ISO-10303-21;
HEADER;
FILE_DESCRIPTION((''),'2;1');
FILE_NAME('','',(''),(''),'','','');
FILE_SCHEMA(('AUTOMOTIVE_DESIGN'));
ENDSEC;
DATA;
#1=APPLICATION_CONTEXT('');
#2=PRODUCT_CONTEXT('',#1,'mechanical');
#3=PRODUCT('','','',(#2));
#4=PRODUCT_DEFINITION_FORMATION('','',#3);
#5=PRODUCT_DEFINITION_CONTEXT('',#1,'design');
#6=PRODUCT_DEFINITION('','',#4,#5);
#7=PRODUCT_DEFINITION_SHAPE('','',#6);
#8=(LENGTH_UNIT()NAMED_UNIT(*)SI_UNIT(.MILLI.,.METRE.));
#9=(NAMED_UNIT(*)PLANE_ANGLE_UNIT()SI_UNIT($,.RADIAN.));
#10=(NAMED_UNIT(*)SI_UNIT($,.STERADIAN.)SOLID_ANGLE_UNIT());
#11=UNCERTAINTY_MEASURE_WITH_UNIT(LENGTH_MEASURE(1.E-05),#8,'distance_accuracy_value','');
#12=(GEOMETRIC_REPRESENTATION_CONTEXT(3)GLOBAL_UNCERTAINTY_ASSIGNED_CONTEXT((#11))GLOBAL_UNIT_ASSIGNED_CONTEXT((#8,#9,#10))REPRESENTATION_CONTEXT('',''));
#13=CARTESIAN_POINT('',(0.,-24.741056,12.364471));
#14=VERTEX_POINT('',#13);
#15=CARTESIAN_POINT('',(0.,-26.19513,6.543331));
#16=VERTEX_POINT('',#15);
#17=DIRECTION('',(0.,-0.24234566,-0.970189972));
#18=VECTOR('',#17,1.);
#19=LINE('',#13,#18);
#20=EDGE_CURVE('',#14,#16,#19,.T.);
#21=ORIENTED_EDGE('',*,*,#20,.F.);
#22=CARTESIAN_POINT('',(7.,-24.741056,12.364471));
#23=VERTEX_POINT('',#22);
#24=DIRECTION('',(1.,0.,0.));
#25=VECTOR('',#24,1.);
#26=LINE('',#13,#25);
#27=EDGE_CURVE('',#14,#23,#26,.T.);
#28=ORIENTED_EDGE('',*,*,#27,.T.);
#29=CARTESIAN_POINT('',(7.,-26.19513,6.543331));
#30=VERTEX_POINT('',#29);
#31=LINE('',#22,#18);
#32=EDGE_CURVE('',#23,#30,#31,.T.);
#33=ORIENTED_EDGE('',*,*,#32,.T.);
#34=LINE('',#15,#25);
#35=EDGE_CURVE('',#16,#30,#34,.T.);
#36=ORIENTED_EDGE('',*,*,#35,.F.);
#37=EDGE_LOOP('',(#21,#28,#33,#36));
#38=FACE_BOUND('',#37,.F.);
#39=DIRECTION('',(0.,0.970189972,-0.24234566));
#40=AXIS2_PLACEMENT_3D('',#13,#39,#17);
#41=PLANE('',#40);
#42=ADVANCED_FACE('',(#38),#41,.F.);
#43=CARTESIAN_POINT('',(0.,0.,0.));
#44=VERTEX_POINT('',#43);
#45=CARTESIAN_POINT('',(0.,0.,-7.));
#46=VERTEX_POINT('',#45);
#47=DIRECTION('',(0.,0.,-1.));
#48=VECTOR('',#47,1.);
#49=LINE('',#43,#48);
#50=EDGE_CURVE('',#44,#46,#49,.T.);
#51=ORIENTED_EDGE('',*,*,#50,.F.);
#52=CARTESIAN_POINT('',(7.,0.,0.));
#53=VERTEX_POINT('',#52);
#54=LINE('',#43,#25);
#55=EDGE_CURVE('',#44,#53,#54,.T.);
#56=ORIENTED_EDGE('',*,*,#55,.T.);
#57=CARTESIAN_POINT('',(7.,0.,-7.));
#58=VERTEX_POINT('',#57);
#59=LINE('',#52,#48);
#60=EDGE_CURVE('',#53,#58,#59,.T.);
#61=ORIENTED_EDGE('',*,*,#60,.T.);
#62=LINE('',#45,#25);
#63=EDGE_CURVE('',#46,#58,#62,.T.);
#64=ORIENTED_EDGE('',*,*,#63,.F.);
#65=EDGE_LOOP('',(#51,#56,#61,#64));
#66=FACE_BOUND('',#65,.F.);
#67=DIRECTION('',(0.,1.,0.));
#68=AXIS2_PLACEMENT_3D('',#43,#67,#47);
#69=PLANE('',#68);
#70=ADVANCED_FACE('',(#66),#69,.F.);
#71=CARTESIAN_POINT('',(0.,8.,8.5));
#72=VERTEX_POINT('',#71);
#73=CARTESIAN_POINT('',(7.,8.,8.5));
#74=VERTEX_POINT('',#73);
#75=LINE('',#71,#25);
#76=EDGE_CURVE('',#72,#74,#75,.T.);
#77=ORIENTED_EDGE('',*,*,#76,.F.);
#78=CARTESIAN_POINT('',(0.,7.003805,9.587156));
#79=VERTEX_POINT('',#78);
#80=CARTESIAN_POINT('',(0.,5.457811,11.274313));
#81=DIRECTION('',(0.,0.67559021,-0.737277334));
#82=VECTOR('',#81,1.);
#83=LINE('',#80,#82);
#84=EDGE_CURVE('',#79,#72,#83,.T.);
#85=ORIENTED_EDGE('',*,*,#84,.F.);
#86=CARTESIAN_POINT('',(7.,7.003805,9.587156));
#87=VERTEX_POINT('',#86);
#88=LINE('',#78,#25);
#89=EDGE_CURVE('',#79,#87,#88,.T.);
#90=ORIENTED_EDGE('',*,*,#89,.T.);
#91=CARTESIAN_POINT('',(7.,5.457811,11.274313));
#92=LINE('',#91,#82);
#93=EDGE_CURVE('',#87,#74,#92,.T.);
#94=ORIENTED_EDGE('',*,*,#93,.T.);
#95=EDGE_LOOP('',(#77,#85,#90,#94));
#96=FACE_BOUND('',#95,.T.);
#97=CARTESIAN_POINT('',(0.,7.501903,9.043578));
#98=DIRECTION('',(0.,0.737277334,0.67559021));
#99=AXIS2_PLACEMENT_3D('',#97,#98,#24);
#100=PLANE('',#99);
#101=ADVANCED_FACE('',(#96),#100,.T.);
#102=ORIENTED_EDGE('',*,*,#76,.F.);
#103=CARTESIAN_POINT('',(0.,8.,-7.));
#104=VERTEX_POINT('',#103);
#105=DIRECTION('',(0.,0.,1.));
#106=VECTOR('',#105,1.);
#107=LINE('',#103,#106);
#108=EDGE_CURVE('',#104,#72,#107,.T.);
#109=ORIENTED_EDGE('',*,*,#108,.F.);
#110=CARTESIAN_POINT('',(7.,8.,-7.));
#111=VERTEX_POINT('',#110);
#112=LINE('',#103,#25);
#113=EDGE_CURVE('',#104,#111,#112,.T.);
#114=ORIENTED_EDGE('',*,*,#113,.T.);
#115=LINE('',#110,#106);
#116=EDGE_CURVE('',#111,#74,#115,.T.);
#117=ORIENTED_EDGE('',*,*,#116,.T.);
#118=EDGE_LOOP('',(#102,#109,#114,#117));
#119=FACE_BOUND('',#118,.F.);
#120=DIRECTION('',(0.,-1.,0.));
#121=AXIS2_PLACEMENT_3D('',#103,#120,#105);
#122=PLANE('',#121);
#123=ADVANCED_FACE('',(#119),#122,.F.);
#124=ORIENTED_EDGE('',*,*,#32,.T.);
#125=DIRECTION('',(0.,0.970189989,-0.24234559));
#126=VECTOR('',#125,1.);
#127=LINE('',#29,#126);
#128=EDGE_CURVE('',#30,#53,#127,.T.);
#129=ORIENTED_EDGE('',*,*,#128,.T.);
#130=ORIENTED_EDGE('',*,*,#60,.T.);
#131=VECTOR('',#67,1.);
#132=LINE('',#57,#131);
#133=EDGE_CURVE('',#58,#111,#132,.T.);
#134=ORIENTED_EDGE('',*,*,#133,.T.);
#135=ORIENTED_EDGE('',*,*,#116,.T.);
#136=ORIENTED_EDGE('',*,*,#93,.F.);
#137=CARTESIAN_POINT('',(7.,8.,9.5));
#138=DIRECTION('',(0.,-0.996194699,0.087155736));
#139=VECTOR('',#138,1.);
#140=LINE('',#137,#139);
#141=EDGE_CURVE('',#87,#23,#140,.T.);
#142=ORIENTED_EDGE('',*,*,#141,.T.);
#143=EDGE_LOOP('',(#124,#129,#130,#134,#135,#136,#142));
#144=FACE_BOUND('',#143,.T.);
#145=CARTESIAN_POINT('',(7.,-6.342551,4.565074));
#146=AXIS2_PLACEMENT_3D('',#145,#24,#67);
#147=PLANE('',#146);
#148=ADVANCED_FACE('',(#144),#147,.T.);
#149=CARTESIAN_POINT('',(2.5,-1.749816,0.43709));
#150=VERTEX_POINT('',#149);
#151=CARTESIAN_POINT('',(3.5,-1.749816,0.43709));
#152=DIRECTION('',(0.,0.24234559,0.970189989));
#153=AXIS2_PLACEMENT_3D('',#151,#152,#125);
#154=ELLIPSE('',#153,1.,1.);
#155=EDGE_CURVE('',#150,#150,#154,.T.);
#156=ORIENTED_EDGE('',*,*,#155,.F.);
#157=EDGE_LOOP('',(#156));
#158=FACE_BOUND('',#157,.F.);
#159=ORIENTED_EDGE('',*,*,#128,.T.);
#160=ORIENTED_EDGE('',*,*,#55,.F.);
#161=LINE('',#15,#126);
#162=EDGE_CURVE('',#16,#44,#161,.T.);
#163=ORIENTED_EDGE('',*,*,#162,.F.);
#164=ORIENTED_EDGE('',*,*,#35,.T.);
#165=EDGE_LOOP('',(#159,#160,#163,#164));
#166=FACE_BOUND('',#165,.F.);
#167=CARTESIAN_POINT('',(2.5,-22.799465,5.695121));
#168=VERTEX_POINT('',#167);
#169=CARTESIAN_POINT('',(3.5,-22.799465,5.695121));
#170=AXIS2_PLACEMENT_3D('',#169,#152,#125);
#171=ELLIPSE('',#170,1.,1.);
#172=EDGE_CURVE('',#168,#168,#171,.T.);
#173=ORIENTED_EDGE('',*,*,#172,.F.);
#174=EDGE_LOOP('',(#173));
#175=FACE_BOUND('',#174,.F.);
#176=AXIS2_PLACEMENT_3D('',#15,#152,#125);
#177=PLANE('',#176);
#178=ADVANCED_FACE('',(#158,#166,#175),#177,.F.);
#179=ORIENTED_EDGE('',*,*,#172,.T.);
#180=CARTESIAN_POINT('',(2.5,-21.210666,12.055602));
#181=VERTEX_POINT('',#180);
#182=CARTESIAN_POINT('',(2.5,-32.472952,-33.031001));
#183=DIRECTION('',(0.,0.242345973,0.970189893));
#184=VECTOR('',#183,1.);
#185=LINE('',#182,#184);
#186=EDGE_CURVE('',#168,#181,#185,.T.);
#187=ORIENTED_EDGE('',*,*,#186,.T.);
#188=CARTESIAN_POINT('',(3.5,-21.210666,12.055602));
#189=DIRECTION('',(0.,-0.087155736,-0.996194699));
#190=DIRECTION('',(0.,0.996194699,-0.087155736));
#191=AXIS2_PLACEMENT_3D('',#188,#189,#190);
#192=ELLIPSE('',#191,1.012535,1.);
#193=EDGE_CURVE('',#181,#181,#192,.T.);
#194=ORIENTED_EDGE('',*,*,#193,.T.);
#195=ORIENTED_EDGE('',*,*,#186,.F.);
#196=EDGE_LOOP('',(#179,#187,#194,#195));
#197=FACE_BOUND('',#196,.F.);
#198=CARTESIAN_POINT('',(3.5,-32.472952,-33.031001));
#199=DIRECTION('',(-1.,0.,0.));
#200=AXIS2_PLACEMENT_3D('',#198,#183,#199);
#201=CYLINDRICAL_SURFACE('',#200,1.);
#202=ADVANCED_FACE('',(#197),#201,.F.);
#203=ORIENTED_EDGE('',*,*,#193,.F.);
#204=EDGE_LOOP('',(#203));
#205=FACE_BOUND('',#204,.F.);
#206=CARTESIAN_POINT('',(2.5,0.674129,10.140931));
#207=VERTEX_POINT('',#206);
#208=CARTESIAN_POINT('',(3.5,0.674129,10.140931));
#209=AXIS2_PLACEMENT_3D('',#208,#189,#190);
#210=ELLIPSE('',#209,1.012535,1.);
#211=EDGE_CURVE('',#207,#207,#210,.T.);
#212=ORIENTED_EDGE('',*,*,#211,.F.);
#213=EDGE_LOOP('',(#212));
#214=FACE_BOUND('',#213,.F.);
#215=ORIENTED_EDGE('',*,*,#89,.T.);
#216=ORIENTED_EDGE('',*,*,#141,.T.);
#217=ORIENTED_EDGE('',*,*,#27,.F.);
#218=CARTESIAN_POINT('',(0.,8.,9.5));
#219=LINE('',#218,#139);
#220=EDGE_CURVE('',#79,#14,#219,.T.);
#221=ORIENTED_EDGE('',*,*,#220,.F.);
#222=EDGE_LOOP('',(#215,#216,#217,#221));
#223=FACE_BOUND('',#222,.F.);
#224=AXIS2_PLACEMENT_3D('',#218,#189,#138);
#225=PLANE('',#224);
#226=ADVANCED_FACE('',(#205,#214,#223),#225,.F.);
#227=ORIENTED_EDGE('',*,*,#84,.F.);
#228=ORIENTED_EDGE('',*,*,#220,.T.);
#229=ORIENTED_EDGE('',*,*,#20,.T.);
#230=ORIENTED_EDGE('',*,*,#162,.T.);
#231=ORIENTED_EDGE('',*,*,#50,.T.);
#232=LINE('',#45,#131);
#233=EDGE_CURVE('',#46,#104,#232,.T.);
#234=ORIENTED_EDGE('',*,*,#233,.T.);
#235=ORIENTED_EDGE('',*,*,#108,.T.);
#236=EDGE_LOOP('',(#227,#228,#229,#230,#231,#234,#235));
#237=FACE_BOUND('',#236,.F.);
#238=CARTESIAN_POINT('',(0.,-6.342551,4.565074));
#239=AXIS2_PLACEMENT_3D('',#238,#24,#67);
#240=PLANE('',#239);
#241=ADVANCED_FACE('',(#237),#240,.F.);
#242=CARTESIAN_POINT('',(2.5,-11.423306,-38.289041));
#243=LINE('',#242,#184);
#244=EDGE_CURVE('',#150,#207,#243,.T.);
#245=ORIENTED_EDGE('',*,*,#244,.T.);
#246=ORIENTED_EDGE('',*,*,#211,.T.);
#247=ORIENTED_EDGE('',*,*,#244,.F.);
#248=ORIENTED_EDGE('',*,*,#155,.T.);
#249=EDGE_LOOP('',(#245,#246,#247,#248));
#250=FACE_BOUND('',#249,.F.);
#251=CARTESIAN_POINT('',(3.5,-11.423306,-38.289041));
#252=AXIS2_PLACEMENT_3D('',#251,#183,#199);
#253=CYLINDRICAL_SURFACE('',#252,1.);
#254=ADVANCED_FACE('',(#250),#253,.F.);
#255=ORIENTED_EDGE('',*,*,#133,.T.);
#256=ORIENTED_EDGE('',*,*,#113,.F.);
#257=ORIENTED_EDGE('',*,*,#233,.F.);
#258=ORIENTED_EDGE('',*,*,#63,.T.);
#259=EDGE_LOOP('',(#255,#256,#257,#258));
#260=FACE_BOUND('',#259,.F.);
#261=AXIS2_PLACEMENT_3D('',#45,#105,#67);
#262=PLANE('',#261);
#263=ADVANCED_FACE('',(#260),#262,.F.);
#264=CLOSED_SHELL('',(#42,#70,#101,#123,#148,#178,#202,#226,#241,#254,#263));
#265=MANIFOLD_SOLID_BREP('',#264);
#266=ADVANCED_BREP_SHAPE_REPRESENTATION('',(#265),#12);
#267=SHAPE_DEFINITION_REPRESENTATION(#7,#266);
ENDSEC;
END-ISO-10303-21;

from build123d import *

# Parameters (mm, degrees)
F1_DEPTH = 7
F3_D     = 2
F4_SIZE  = 1


with BuildPart() as f1:
    # F0 (on Right) → F1 (new body)
    with BuildSketch(Plane.YZ):
        Polygon((-26.19513, 6.543331), (0, 0), (0, -7), (8, -7), (8, 9.5), (-24.741056, 12.364471), align=None)
    extrude(amount=F1_DEPTH)

    # F3 (through all)
    with Locations(Plane(origin=(0, 0, 0), x_dir=(1, 0, 0), z_dir=(0, -0.242346, -0.97019))):
        with Locations((3.5, 1.803581), (3.5, 23.5)):
            Hole(F3_D / 2)

    # F4
    f4_edges = [f1.edges().sort_by_distance(p)[0] for p in [
        (3.5, 8, 9.5),
    ]]
    chamfer(f4_edges, length=F4_SIZE)


solid = f1.part
